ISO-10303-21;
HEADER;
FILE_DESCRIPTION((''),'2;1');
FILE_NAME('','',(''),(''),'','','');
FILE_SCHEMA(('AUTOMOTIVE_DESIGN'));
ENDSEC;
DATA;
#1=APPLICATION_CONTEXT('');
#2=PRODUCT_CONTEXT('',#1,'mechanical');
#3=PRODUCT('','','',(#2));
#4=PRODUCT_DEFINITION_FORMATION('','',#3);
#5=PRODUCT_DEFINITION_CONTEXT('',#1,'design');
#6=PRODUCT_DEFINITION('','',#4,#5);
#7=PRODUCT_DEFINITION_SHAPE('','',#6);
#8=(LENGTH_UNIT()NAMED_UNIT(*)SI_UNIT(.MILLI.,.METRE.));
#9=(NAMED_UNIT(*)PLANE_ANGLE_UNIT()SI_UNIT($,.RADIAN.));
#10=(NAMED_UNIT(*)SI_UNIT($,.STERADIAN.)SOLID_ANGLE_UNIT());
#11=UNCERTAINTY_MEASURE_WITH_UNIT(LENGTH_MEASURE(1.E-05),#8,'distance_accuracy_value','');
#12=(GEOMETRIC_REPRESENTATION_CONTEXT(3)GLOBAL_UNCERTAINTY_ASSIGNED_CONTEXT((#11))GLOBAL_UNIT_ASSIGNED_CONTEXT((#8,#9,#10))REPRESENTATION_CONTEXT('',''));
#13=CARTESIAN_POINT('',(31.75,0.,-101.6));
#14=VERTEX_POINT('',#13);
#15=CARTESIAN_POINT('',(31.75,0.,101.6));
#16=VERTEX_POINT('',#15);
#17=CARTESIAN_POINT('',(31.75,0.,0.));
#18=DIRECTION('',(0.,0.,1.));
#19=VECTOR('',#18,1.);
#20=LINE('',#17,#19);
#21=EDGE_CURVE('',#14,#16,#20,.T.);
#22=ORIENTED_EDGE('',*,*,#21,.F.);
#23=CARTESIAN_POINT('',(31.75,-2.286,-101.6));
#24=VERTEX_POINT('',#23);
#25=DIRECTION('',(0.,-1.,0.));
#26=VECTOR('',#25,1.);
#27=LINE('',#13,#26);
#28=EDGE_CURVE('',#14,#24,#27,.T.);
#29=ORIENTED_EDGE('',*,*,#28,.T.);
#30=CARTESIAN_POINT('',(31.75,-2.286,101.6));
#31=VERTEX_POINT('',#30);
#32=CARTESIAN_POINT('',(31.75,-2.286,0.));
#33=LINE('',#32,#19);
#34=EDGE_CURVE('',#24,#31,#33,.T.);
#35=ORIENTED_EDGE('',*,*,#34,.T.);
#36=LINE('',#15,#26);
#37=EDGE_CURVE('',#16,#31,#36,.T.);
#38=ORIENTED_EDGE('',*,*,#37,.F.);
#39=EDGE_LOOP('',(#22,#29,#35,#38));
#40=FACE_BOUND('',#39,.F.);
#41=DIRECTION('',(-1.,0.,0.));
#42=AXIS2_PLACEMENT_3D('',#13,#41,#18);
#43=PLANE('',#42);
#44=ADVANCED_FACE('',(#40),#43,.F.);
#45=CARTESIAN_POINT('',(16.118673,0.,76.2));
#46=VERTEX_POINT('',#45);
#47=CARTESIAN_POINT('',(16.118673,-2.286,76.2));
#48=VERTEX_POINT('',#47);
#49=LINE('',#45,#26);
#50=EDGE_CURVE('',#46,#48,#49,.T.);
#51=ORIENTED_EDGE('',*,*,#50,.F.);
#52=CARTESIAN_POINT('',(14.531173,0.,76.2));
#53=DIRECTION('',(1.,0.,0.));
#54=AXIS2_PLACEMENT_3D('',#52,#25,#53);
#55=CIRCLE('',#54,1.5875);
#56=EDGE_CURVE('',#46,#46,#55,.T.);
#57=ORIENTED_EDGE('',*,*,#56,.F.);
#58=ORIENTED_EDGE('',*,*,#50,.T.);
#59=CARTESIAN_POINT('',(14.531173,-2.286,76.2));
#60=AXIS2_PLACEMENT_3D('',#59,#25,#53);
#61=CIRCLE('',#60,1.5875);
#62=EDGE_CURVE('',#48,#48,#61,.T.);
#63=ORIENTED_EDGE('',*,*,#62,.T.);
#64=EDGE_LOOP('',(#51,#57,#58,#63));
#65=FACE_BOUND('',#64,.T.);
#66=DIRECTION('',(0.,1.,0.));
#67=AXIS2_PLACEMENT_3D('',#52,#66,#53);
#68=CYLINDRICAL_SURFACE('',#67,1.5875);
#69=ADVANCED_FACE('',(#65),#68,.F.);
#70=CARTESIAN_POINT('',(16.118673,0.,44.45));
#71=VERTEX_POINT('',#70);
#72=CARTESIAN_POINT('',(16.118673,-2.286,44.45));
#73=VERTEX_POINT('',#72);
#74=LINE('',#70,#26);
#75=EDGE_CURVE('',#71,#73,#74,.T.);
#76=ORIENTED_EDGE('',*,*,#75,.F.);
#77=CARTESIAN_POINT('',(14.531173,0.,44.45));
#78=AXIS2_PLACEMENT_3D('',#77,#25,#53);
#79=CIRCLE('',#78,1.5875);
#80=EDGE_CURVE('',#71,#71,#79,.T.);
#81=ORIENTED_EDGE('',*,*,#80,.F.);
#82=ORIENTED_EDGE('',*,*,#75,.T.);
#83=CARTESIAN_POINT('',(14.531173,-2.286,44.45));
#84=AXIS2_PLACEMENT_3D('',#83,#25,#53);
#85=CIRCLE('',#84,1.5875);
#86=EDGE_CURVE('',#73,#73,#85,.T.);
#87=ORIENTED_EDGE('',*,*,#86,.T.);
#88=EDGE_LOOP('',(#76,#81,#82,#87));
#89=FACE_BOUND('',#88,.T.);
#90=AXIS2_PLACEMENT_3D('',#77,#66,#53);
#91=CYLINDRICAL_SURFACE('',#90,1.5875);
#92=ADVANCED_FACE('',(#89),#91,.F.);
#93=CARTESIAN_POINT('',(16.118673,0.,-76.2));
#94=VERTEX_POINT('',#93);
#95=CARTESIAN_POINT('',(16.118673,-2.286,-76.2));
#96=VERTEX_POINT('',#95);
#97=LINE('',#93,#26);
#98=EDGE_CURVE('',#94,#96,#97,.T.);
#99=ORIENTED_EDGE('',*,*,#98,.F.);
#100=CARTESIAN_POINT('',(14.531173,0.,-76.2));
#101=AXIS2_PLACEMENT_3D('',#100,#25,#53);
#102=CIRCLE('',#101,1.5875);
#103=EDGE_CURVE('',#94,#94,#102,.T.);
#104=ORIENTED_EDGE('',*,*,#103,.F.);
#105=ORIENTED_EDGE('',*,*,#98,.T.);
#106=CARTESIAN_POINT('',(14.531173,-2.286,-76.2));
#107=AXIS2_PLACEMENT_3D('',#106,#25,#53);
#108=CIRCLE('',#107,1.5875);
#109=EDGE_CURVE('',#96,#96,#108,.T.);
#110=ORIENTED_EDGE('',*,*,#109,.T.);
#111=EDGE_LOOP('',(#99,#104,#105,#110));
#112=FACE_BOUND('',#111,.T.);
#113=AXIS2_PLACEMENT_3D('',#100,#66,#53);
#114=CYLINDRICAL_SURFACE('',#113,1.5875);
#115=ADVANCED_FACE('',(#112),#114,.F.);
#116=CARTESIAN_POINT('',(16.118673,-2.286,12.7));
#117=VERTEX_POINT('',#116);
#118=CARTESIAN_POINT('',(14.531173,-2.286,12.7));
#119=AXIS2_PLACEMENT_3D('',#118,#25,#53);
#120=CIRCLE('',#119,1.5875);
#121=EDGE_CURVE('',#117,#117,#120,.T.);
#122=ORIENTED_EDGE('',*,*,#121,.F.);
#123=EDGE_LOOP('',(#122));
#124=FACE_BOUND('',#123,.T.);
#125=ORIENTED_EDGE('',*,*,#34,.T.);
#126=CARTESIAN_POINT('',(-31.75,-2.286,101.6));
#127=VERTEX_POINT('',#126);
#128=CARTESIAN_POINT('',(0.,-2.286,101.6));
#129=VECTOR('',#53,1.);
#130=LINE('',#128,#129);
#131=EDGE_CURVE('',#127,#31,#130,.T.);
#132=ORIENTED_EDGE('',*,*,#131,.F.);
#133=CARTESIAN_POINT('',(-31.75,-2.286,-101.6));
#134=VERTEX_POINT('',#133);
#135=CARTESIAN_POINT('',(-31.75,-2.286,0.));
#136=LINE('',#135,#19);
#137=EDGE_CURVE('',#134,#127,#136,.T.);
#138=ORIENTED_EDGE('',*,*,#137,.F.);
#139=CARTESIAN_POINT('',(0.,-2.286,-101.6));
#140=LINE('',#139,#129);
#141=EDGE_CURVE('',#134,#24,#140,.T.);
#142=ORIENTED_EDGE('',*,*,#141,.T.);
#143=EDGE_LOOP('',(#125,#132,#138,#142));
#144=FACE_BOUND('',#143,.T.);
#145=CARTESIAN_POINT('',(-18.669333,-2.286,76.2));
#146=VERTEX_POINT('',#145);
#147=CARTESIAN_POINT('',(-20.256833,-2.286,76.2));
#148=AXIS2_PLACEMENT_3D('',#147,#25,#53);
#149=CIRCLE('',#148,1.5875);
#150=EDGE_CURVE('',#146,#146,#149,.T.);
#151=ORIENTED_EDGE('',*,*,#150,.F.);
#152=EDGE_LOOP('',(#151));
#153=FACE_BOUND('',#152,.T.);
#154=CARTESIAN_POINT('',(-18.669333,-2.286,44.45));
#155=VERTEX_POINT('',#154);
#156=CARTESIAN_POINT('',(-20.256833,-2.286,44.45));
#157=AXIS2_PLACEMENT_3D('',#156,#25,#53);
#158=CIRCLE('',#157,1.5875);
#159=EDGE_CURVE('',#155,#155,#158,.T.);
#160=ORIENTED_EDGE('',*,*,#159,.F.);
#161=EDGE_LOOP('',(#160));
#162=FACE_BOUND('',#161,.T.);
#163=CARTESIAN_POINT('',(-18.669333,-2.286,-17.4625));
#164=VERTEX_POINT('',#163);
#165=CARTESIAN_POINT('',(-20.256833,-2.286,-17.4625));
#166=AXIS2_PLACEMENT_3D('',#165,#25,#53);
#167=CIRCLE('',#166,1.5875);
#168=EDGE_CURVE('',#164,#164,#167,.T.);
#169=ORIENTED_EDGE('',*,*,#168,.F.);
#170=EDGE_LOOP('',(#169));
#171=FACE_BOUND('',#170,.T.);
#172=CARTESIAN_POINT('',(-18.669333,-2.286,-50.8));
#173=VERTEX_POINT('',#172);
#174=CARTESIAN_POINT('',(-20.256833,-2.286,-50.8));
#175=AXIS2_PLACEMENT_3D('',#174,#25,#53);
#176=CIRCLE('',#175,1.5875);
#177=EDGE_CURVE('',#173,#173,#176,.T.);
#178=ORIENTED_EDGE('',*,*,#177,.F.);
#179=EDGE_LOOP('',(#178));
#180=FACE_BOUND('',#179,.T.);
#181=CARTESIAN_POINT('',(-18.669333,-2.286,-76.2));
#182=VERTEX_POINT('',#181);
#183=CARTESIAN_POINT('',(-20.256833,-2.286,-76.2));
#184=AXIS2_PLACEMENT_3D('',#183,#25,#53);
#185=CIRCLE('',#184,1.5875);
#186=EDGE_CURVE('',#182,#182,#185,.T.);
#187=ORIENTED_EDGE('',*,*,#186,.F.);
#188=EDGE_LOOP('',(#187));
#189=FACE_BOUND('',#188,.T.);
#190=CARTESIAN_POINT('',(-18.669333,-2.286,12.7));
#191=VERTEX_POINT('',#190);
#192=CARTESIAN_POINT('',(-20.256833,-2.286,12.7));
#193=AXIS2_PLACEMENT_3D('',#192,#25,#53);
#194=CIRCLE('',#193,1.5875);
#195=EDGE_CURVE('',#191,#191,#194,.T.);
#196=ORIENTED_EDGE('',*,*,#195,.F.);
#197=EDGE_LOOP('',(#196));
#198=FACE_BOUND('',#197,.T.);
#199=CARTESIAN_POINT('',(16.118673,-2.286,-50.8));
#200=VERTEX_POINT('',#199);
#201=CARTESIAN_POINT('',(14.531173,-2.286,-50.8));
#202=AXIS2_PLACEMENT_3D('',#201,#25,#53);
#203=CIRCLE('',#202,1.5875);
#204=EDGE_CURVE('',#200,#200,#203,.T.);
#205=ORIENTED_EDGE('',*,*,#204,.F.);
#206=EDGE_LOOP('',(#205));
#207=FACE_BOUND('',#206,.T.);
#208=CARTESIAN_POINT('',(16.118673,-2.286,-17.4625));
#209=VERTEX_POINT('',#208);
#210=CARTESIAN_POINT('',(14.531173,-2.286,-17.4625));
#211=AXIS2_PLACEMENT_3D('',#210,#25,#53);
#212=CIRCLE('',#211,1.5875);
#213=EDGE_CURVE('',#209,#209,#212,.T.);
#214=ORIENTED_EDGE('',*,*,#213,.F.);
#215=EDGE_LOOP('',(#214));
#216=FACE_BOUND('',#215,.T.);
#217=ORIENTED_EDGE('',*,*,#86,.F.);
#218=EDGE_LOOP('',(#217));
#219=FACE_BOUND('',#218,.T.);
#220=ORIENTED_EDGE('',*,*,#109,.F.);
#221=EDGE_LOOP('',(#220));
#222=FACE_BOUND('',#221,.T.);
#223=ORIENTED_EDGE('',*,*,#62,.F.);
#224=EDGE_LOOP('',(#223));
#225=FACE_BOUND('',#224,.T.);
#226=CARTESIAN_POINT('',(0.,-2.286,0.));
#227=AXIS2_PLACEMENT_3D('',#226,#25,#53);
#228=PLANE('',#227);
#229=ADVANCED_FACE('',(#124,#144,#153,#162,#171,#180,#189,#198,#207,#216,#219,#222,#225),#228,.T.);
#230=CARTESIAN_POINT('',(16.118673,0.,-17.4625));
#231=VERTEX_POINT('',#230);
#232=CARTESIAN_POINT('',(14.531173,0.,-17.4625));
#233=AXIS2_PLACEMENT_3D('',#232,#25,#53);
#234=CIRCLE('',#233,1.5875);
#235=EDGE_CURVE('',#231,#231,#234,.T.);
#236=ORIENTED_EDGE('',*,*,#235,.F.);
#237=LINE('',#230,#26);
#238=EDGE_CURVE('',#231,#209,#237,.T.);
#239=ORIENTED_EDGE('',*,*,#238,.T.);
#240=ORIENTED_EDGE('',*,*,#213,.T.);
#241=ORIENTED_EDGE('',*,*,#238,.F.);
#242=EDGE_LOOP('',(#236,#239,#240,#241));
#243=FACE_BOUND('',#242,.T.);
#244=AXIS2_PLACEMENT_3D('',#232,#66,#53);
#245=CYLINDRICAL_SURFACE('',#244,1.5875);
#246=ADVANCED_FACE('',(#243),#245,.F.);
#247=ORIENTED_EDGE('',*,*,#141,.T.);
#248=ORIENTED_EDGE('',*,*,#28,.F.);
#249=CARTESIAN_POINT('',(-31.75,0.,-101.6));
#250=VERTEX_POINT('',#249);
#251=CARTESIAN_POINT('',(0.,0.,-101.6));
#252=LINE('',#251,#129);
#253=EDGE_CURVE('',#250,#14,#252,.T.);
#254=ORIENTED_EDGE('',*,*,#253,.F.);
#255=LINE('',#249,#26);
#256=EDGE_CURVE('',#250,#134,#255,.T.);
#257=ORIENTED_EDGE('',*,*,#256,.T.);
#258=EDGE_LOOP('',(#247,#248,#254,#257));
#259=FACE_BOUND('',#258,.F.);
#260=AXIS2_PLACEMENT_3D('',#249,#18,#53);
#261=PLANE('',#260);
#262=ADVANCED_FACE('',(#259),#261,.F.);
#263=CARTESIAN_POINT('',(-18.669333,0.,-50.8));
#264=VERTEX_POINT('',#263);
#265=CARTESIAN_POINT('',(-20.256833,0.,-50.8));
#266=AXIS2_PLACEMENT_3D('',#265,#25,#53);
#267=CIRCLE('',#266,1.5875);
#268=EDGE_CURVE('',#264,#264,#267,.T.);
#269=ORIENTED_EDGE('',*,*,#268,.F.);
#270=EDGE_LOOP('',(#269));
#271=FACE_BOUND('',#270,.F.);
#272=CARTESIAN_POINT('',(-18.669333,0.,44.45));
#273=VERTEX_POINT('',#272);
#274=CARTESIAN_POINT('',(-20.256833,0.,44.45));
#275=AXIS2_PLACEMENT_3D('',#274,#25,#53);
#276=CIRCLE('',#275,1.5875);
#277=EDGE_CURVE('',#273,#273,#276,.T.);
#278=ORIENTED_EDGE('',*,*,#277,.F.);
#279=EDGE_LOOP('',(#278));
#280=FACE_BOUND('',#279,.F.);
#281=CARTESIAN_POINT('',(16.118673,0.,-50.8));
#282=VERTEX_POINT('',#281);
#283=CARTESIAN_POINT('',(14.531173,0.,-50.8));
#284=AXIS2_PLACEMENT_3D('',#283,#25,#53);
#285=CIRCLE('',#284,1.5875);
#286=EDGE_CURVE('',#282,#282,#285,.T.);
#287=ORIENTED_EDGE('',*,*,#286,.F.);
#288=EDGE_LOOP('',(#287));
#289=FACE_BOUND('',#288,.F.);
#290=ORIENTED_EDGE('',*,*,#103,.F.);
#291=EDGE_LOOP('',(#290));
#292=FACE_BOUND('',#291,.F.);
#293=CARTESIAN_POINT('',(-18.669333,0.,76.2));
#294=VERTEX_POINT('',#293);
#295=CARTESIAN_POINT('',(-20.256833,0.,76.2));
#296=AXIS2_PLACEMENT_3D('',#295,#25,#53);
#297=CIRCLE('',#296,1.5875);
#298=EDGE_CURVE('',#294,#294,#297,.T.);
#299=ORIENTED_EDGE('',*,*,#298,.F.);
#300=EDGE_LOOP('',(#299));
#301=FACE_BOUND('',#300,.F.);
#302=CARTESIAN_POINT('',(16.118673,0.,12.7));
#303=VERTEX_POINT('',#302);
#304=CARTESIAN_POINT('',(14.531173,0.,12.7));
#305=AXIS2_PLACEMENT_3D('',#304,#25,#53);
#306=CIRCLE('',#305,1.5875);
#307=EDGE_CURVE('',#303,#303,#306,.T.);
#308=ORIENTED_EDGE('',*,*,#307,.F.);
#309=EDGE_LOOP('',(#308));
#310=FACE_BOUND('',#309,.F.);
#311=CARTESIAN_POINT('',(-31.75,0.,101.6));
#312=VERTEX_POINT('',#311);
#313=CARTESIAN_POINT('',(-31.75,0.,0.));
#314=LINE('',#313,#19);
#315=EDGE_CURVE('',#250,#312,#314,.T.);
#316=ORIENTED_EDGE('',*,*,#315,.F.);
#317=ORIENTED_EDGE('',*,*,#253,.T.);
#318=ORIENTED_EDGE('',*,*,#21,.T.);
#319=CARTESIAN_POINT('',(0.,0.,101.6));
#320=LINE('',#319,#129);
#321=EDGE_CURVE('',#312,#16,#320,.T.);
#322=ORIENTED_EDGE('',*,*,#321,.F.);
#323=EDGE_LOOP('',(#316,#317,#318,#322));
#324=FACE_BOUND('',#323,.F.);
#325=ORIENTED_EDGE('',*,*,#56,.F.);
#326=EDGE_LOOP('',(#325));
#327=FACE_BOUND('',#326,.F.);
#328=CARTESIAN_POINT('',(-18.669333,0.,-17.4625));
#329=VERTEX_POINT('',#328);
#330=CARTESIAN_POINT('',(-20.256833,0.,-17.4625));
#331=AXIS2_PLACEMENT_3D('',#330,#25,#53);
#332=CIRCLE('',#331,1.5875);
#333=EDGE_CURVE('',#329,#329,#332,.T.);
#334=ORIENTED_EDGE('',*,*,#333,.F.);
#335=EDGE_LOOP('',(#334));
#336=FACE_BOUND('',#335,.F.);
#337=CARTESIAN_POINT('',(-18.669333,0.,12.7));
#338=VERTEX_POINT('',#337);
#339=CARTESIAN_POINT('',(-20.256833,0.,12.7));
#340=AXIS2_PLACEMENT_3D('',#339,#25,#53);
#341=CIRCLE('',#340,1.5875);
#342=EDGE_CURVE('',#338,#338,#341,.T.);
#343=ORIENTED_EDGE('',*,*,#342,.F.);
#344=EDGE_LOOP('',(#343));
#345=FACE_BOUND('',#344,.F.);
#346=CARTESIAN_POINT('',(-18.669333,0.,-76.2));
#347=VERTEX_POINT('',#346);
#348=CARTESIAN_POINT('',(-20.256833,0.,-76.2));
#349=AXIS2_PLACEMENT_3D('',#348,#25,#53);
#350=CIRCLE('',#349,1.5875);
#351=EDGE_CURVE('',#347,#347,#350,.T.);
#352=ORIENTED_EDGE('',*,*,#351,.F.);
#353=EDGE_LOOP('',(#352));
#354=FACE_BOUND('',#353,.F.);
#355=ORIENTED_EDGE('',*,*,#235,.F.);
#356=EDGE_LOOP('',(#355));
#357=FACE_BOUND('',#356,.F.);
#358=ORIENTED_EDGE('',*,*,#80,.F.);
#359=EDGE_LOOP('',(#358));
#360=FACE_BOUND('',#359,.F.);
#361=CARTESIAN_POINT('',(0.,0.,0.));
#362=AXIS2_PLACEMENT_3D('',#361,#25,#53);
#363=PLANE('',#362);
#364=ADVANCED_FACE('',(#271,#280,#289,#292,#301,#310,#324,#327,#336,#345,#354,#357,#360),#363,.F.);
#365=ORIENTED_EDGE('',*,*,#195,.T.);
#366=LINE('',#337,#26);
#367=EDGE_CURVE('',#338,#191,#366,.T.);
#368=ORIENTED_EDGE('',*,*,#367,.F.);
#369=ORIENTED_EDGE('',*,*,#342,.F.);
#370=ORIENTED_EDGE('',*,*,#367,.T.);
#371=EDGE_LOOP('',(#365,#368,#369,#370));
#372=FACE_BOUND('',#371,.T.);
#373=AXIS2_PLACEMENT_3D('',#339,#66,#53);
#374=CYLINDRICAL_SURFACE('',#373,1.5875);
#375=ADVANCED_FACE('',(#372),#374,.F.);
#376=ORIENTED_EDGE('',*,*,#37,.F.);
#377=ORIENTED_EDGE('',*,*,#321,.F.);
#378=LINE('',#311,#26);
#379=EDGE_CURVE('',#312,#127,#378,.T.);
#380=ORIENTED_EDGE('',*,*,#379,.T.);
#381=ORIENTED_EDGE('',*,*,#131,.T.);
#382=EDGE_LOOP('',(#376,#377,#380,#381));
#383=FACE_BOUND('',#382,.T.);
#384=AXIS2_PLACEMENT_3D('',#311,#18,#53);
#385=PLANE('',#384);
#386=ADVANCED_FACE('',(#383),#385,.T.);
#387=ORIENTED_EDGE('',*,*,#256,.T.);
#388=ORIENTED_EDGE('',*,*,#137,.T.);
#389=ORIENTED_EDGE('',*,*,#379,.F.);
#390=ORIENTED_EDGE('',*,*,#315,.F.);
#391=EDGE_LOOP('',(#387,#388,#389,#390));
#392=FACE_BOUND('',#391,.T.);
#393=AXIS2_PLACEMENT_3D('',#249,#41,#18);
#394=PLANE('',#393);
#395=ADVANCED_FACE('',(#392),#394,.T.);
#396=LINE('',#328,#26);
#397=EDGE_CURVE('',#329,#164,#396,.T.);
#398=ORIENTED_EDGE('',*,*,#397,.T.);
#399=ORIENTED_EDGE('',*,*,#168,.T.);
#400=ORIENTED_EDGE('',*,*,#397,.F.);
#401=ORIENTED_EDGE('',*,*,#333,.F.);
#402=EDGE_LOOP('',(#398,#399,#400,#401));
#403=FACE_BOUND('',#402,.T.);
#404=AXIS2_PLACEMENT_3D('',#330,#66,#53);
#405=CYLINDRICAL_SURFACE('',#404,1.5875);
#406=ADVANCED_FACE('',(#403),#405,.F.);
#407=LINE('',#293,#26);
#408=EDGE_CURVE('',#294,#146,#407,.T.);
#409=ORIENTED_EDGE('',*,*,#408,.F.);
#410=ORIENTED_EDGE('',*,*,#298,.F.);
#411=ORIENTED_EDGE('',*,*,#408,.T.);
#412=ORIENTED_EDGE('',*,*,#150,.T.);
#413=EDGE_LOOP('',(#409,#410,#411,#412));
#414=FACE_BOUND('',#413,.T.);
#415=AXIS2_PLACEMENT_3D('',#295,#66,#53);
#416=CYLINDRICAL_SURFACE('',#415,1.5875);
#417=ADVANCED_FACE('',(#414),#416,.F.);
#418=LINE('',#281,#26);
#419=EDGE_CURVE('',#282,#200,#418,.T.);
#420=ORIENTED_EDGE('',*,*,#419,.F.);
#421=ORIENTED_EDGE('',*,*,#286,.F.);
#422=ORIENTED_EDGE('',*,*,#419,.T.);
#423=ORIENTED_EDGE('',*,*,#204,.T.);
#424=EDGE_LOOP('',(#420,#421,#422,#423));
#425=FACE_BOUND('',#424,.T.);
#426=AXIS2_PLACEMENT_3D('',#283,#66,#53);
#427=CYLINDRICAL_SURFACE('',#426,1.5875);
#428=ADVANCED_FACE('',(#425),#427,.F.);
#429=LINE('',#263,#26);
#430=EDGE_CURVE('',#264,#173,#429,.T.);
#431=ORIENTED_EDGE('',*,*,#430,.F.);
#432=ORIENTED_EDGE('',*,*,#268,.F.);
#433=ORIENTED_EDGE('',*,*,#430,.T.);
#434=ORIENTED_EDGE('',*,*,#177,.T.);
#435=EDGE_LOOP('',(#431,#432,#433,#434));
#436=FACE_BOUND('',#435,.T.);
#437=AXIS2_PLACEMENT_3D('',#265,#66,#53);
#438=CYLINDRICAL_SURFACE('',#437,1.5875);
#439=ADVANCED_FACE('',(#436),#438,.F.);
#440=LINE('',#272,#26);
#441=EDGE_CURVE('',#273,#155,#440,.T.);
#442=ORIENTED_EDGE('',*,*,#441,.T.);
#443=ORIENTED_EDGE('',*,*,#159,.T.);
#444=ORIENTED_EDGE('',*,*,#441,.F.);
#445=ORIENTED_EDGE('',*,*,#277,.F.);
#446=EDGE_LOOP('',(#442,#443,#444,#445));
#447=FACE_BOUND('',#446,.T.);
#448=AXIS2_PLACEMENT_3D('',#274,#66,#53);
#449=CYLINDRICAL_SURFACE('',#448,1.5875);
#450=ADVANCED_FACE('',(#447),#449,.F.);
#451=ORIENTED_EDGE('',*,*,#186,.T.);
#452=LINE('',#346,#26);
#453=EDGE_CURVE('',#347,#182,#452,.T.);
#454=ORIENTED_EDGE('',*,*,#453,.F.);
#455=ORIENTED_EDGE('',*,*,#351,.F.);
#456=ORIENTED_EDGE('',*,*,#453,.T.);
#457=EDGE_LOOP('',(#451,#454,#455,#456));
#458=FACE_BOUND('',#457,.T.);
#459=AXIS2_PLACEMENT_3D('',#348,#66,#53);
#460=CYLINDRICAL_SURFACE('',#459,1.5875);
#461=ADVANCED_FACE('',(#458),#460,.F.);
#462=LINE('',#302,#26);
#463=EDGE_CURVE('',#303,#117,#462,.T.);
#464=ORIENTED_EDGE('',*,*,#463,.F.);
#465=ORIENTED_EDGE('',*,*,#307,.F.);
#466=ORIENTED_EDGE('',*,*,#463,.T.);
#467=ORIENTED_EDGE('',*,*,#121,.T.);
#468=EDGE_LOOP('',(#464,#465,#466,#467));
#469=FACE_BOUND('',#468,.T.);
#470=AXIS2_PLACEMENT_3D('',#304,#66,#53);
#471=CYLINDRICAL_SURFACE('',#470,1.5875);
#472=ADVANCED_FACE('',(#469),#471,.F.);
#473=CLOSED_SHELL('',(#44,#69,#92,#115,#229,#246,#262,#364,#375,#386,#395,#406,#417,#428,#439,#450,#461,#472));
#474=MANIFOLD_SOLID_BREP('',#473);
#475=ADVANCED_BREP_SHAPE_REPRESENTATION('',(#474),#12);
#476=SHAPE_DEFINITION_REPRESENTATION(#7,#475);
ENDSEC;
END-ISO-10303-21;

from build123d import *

# Parameters (mm, degrees)
F0_W     = 63.5
F0_H     = 203.2
F0_R     = 1.5875
F1_DEPTH = 2.286


with BuildPart() as f1:
    # F0 (on Front) → F1 (new body)
    with BuildSketch(Plane.XZ):
        Rectangle(F0_W, F0_H)
        with Locations((-20.256833, -76.2)):
            Circle(F0_R, mode=Mode.SUBTRACT)
        with Locations((-20.256833, -50.8)):
            Circle(F0_R, mode=Mode.SUBTRACT)
        with Locations((-20.256833, -17.4625)):
            Circle(F0_R, mode=Mode.SUBTRACT)
        with Locations((14.531173, -76.2)):
            Circle(F0_R, mode=Mode.SUBTRACT)
        with Locations((14.531173, -50.8)):
            Circle(F0_R, mode=Mode.SUBTRACT)
        with Locations((14.531173, -17.4625)):
            Circle(F0_R, mode=Mode.SUBTRACT)
        with Locations((-20.256833, 12.7)):
            Circle(F0_R, mode=Mode.SUBTRACT)
        with Locations((-20.256833, 44.45)):
            Circle(F0_R, mode=Mode.SUBTRACT)
        with Locations((-20.256833, 76.2)):
            Circle(F0_R, mode=Mode.SUBTRACT)
        with Locations((14.531173, 12.7)):
            Circle(F0_R, mode=Mode.SUBTRACT)
        with Locations((14.531173, 44.45)):
            Circle(F0_R, mode=Mode.SUBTRACT)
        with Locations((14.531173, 76.2)):
            Circle(F0_R, mode=Mode.SUBTRACT)
    extrude(amount=F1_DEPTH)


solid = f1.part
